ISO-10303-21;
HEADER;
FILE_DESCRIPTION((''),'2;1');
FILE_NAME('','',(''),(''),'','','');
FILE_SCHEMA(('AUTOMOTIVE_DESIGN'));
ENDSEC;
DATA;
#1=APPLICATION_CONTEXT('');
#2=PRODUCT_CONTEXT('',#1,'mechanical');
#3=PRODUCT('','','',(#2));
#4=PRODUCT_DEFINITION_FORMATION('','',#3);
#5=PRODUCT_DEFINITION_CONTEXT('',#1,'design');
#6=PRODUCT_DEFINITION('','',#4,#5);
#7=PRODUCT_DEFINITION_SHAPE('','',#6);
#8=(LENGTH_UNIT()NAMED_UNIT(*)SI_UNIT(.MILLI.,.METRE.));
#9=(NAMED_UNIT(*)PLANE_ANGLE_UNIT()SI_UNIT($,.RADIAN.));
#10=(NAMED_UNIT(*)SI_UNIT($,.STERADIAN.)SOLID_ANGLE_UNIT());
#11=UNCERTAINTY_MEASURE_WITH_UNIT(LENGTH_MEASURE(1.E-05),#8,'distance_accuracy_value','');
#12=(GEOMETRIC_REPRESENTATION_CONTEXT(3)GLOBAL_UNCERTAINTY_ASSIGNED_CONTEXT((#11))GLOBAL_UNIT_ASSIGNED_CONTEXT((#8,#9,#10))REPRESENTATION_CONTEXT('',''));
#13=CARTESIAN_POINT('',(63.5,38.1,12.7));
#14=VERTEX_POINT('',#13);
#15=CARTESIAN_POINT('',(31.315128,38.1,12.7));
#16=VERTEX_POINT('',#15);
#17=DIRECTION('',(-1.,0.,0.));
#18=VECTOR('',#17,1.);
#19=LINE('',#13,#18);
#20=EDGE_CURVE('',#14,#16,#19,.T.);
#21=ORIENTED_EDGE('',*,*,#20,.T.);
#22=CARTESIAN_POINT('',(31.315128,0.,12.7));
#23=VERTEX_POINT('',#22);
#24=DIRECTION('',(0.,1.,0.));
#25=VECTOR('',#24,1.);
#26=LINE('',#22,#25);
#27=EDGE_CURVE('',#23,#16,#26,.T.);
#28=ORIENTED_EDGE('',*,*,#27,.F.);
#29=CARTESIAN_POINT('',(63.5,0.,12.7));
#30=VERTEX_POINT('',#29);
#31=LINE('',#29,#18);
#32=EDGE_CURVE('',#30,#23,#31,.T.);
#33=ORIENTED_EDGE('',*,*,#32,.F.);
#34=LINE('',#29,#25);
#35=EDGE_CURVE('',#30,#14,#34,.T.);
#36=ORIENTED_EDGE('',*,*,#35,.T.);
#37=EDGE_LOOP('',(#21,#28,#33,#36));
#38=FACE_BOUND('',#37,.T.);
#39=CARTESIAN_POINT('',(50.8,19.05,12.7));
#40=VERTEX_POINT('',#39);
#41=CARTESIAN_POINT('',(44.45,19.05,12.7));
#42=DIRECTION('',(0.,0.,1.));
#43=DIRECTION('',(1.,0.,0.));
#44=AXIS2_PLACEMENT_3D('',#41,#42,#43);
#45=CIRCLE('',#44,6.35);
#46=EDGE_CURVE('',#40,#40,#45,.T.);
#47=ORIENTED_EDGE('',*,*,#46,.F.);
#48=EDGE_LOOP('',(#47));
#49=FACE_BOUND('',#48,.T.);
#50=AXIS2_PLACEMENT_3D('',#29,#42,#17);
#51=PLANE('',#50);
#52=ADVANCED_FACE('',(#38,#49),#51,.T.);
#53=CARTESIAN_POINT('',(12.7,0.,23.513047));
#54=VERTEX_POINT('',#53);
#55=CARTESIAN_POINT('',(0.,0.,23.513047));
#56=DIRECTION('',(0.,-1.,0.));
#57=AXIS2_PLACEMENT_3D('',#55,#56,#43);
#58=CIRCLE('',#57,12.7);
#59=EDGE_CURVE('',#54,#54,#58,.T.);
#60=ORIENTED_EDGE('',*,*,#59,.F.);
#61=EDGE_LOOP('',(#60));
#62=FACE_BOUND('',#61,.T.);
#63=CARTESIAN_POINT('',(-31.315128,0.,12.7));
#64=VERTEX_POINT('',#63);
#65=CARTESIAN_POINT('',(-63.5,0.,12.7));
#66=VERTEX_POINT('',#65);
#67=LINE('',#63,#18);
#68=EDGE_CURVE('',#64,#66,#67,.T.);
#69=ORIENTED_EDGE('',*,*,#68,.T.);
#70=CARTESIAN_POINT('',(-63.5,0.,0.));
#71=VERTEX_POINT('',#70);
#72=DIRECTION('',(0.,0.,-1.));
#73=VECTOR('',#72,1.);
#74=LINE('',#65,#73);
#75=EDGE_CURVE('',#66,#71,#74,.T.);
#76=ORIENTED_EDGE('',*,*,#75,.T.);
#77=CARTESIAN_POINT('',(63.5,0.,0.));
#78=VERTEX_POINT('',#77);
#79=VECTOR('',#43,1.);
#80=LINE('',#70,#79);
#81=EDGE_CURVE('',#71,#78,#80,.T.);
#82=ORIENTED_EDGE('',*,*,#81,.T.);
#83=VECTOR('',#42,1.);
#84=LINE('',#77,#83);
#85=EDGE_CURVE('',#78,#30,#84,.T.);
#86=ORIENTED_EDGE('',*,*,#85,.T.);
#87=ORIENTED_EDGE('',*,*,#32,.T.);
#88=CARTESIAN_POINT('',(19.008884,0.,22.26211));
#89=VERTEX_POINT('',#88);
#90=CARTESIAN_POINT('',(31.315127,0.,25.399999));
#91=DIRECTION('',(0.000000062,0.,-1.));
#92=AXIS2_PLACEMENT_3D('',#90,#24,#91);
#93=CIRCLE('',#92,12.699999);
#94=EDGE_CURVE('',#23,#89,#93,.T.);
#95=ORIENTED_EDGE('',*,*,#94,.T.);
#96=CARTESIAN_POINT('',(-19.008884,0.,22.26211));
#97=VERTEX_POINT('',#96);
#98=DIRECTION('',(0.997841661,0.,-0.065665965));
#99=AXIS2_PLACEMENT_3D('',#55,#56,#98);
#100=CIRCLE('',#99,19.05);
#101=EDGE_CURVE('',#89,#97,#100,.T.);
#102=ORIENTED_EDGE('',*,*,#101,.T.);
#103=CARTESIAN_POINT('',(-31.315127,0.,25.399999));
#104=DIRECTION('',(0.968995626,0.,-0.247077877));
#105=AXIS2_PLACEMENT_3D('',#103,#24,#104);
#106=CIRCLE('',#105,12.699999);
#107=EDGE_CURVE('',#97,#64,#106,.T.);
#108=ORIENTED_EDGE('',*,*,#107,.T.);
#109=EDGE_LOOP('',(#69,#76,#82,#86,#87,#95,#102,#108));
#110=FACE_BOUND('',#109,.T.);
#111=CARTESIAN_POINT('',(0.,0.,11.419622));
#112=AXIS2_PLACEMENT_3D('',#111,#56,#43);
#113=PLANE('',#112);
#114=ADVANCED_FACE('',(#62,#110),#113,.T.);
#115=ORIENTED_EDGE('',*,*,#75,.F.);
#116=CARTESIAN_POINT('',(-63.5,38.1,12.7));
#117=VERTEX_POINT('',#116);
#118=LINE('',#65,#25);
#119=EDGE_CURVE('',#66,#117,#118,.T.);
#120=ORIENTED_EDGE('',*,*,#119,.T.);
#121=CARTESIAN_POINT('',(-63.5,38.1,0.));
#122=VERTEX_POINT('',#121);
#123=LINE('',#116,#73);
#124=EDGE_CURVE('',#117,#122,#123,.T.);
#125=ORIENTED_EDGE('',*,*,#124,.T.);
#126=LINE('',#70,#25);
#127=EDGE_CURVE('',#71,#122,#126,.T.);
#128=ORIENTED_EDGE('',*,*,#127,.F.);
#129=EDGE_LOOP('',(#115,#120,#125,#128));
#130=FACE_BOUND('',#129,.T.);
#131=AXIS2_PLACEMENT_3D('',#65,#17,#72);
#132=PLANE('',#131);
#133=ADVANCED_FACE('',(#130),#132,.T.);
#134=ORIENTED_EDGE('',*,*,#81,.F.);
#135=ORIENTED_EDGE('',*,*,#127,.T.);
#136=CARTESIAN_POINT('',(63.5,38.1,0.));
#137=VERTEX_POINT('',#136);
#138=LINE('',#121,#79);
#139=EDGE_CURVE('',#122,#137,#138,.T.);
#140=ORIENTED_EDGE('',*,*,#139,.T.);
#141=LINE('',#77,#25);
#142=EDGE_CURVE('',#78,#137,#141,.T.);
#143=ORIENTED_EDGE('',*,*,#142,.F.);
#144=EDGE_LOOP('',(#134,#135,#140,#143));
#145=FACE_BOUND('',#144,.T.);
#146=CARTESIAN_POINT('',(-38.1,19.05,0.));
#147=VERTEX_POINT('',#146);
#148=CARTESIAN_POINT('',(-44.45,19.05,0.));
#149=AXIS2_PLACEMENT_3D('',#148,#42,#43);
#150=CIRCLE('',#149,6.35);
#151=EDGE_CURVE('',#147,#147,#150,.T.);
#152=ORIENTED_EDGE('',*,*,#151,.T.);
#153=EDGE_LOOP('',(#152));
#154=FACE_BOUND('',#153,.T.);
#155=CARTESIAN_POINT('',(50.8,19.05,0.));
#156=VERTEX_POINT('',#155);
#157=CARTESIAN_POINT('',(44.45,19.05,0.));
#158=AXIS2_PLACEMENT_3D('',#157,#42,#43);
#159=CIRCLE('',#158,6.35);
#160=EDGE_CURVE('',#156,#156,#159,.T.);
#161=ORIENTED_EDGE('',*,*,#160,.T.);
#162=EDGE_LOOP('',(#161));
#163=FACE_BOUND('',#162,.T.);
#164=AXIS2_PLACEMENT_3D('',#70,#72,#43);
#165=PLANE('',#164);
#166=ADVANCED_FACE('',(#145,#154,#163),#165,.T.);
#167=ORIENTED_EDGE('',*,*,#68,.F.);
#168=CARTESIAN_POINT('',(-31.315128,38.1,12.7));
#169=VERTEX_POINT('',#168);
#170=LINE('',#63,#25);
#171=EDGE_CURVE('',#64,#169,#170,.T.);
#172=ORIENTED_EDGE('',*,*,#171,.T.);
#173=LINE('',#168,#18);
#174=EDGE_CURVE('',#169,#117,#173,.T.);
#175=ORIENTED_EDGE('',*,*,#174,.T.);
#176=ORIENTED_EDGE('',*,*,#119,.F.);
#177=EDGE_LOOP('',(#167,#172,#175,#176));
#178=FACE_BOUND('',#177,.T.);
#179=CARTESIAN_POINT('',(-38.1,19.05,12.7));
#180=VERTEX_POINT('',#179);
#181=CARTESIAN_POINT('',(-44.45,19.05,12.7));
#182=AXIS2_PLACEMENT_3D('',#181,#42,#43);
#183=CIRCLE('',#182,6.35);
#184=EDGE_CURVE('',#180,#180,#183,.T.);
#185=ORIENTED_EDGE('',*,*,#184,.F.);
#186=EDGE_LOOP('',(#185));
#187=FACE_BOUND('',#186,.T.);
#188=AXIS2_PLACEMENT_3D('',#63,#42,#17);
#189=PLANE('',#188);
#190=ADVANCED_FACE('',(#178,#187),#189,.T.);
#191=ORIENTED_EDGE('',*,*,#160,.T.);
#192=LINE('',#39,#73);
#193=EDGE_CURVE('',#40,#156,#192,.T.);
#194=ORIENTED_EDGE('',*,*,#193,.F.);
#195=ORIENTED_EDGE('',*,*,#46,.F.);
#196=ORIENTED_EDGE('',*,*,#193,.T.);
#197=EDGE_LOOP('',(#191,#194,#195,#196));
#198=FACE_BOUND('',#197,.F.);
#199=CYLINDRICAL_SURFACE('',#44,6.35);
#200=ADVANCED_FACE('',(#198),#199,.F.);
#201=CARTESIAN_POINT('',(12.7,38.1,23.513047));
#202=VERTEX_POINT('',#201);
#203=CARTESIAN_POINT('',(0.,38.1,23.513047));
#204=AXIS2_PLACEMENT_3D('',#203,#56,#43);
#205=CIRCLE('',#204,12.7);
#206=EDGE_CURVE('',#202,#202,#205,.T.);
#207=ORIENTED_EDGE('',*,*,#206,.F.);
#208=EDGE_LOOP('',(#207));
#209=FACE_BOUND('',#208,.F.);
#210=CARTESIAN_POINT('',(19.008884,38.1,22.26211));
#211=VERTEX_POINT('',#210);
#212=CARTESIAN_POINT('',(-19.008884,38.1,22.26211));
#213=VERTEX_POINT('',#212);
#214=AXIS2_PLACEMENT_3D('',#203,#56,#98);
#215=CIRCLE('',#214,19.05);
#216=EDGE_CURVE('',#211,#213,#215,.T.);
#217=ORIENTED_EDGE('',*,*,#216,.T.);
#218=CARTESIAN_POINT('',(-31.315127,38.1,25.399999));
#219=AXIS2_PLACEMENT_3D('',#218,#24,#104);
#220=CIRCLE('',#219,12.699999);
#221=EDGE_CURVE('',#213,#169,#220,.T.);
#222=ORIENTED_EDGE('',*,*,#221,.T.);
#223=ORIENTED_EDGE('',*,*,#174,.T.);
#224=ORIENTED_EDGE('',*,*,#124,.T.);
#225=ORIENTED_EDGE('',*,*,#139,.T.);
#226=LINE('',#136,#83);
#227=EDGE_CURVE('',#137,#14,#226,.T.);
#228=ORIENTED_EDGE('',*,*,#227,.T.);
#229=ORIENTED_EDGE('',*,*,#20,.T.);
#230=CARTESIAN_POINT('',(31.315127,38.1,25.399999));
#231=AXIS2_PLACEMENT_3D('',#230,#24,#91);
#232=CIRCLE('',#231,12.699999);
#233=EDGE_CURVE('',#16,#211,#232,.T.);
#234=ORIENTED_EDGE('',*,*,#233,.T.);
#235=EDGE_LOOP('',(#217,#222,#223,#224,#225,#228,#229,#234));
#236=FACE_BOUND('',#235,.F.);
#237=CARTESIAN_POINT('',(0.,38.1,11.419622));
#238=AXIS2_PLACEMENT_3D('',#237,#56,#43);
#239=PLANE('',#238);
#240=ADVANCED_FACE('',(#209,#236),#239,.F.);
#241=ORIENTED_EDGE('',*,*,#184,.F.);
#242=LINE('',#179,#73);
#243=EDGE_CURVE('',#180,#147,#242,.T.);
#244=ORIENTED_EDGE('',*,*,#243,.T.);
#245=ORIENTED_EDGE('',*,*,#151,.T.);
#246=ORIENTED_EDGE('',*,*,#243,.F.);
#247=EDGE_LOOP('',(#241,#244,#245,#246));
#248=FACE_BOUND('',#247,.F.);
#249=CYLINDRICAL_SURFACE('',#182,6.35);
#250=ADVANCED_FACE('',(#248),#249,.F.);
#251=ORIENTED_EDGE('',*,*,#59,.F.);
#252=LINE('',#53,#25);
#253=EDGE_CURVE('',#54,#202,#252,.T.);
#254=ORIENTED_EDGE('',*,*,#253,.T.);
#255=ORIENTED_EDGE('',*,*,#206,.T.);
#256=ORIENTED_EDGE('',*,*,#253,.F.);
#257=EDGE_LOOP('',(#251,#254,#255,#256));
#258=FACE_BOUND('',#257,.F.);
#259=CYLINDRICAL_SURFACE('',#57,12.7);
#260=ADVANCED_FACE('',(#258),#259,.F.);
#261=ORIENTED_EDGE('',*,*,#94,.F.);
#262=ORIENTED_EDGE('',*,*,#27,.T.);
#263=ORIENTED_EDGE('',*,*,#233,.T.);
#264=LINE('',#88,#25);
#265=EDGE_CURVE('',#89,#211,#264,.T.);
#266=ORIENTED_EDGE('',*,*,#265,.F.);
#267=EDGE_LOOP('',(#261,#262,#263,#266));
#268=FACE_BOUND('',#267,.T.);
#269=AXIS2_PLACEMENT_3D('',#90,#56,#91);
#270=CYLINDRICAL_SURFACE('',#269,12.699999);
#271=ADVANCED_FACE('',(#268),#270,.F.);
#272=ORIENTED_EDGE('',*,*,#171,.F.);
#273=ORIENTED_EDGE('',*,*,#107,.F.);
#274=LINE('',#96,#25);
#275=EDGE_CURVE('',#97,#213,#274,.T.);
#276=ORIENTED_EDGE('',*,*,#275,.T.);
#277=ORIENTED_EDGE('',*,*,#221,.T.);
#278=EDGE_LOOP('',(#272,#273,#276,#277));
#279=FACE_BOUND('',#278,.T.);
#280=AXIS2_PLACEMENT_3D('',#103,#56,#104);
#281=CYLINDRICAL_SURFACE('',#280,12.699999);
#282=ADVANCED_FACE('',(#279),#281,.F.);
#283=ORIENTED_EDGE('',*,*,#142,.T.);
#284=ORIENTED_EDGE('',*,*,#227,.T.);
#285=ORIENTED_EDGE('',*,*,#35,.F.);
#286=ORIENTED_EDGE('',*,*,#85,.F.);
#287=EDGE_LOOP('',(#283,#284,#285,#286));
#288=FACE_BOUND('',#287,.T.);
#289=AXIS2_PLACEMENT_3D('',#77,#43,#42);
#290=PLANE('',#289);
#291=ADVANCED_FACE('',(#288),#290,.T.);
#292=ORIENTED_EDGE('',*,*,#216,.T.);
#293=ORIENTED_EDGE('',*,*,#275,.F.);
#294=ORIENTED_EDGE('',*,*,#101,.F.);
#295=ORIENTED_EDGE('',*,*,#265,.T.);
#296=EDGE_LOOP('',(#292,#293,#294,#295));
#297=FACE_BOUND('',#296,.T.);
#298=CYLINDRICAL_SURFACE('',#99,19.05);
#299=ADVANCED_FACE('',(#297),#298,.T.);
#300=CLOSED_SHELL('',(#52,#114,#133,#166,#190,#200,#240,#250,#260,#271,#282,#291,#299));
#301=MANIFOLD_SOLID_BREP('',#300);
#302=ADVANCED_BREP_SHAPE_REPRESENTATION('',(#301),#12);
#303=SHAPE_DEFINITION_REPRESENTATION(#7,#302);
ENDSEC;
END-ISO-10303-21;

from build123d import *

# Parameters (mm, degrees)
F0_R     = 12.7
F1_DEPTH = 38.1
F2_R     = 6.35
F3_DEPTH = 25.4


with BuildPart() as f1:
    # F0 (on Front) → F1 (new body)
    with BuildSketch(Plane.XZ):
        with BuildLine():
            Line((-63.5, 12.7), (-63.5, 0))
            Line((-63.5, 0), (63.5, 0))
            Line((63.5, 0), (63.5, 12.7))
            Line((63.5, 12.7), (31.315128, 12.7))
            ThreePointArc((31.315128, 12.7), (23.522863, 15.37151), (19.008884, 22.26211))
            ThreePointArc((19.008884, 22.26211), (0, 42.563047), (-19.008884, 22.26211))
            ThreePointArc((-19.008884, 22.26211), (-23.522863, 15.37151), (-31.315128, 12.7))
            Line((-31.315128, 12.7), (-63.5, 12.7))
        make_face()
        with Locations((0, 23.513047)):
            Circle(F0_R, mode=Mode.SUBTRACT)
    extrude(amount=-F1_DEPTH)

    # F2 (on face) → F3 (cut)
    with BuildSketch(Plane.XY.offset(12.7)):
        with Locations((-44.45, 19.05)):
            Circle(F2_R)
        with Locations((44.45, 19.05)):
            Circle(F2_R)
    extrude(amount=-F3_DEPTH, mode=Mode.SUBTRACT)


solid = f1.part
